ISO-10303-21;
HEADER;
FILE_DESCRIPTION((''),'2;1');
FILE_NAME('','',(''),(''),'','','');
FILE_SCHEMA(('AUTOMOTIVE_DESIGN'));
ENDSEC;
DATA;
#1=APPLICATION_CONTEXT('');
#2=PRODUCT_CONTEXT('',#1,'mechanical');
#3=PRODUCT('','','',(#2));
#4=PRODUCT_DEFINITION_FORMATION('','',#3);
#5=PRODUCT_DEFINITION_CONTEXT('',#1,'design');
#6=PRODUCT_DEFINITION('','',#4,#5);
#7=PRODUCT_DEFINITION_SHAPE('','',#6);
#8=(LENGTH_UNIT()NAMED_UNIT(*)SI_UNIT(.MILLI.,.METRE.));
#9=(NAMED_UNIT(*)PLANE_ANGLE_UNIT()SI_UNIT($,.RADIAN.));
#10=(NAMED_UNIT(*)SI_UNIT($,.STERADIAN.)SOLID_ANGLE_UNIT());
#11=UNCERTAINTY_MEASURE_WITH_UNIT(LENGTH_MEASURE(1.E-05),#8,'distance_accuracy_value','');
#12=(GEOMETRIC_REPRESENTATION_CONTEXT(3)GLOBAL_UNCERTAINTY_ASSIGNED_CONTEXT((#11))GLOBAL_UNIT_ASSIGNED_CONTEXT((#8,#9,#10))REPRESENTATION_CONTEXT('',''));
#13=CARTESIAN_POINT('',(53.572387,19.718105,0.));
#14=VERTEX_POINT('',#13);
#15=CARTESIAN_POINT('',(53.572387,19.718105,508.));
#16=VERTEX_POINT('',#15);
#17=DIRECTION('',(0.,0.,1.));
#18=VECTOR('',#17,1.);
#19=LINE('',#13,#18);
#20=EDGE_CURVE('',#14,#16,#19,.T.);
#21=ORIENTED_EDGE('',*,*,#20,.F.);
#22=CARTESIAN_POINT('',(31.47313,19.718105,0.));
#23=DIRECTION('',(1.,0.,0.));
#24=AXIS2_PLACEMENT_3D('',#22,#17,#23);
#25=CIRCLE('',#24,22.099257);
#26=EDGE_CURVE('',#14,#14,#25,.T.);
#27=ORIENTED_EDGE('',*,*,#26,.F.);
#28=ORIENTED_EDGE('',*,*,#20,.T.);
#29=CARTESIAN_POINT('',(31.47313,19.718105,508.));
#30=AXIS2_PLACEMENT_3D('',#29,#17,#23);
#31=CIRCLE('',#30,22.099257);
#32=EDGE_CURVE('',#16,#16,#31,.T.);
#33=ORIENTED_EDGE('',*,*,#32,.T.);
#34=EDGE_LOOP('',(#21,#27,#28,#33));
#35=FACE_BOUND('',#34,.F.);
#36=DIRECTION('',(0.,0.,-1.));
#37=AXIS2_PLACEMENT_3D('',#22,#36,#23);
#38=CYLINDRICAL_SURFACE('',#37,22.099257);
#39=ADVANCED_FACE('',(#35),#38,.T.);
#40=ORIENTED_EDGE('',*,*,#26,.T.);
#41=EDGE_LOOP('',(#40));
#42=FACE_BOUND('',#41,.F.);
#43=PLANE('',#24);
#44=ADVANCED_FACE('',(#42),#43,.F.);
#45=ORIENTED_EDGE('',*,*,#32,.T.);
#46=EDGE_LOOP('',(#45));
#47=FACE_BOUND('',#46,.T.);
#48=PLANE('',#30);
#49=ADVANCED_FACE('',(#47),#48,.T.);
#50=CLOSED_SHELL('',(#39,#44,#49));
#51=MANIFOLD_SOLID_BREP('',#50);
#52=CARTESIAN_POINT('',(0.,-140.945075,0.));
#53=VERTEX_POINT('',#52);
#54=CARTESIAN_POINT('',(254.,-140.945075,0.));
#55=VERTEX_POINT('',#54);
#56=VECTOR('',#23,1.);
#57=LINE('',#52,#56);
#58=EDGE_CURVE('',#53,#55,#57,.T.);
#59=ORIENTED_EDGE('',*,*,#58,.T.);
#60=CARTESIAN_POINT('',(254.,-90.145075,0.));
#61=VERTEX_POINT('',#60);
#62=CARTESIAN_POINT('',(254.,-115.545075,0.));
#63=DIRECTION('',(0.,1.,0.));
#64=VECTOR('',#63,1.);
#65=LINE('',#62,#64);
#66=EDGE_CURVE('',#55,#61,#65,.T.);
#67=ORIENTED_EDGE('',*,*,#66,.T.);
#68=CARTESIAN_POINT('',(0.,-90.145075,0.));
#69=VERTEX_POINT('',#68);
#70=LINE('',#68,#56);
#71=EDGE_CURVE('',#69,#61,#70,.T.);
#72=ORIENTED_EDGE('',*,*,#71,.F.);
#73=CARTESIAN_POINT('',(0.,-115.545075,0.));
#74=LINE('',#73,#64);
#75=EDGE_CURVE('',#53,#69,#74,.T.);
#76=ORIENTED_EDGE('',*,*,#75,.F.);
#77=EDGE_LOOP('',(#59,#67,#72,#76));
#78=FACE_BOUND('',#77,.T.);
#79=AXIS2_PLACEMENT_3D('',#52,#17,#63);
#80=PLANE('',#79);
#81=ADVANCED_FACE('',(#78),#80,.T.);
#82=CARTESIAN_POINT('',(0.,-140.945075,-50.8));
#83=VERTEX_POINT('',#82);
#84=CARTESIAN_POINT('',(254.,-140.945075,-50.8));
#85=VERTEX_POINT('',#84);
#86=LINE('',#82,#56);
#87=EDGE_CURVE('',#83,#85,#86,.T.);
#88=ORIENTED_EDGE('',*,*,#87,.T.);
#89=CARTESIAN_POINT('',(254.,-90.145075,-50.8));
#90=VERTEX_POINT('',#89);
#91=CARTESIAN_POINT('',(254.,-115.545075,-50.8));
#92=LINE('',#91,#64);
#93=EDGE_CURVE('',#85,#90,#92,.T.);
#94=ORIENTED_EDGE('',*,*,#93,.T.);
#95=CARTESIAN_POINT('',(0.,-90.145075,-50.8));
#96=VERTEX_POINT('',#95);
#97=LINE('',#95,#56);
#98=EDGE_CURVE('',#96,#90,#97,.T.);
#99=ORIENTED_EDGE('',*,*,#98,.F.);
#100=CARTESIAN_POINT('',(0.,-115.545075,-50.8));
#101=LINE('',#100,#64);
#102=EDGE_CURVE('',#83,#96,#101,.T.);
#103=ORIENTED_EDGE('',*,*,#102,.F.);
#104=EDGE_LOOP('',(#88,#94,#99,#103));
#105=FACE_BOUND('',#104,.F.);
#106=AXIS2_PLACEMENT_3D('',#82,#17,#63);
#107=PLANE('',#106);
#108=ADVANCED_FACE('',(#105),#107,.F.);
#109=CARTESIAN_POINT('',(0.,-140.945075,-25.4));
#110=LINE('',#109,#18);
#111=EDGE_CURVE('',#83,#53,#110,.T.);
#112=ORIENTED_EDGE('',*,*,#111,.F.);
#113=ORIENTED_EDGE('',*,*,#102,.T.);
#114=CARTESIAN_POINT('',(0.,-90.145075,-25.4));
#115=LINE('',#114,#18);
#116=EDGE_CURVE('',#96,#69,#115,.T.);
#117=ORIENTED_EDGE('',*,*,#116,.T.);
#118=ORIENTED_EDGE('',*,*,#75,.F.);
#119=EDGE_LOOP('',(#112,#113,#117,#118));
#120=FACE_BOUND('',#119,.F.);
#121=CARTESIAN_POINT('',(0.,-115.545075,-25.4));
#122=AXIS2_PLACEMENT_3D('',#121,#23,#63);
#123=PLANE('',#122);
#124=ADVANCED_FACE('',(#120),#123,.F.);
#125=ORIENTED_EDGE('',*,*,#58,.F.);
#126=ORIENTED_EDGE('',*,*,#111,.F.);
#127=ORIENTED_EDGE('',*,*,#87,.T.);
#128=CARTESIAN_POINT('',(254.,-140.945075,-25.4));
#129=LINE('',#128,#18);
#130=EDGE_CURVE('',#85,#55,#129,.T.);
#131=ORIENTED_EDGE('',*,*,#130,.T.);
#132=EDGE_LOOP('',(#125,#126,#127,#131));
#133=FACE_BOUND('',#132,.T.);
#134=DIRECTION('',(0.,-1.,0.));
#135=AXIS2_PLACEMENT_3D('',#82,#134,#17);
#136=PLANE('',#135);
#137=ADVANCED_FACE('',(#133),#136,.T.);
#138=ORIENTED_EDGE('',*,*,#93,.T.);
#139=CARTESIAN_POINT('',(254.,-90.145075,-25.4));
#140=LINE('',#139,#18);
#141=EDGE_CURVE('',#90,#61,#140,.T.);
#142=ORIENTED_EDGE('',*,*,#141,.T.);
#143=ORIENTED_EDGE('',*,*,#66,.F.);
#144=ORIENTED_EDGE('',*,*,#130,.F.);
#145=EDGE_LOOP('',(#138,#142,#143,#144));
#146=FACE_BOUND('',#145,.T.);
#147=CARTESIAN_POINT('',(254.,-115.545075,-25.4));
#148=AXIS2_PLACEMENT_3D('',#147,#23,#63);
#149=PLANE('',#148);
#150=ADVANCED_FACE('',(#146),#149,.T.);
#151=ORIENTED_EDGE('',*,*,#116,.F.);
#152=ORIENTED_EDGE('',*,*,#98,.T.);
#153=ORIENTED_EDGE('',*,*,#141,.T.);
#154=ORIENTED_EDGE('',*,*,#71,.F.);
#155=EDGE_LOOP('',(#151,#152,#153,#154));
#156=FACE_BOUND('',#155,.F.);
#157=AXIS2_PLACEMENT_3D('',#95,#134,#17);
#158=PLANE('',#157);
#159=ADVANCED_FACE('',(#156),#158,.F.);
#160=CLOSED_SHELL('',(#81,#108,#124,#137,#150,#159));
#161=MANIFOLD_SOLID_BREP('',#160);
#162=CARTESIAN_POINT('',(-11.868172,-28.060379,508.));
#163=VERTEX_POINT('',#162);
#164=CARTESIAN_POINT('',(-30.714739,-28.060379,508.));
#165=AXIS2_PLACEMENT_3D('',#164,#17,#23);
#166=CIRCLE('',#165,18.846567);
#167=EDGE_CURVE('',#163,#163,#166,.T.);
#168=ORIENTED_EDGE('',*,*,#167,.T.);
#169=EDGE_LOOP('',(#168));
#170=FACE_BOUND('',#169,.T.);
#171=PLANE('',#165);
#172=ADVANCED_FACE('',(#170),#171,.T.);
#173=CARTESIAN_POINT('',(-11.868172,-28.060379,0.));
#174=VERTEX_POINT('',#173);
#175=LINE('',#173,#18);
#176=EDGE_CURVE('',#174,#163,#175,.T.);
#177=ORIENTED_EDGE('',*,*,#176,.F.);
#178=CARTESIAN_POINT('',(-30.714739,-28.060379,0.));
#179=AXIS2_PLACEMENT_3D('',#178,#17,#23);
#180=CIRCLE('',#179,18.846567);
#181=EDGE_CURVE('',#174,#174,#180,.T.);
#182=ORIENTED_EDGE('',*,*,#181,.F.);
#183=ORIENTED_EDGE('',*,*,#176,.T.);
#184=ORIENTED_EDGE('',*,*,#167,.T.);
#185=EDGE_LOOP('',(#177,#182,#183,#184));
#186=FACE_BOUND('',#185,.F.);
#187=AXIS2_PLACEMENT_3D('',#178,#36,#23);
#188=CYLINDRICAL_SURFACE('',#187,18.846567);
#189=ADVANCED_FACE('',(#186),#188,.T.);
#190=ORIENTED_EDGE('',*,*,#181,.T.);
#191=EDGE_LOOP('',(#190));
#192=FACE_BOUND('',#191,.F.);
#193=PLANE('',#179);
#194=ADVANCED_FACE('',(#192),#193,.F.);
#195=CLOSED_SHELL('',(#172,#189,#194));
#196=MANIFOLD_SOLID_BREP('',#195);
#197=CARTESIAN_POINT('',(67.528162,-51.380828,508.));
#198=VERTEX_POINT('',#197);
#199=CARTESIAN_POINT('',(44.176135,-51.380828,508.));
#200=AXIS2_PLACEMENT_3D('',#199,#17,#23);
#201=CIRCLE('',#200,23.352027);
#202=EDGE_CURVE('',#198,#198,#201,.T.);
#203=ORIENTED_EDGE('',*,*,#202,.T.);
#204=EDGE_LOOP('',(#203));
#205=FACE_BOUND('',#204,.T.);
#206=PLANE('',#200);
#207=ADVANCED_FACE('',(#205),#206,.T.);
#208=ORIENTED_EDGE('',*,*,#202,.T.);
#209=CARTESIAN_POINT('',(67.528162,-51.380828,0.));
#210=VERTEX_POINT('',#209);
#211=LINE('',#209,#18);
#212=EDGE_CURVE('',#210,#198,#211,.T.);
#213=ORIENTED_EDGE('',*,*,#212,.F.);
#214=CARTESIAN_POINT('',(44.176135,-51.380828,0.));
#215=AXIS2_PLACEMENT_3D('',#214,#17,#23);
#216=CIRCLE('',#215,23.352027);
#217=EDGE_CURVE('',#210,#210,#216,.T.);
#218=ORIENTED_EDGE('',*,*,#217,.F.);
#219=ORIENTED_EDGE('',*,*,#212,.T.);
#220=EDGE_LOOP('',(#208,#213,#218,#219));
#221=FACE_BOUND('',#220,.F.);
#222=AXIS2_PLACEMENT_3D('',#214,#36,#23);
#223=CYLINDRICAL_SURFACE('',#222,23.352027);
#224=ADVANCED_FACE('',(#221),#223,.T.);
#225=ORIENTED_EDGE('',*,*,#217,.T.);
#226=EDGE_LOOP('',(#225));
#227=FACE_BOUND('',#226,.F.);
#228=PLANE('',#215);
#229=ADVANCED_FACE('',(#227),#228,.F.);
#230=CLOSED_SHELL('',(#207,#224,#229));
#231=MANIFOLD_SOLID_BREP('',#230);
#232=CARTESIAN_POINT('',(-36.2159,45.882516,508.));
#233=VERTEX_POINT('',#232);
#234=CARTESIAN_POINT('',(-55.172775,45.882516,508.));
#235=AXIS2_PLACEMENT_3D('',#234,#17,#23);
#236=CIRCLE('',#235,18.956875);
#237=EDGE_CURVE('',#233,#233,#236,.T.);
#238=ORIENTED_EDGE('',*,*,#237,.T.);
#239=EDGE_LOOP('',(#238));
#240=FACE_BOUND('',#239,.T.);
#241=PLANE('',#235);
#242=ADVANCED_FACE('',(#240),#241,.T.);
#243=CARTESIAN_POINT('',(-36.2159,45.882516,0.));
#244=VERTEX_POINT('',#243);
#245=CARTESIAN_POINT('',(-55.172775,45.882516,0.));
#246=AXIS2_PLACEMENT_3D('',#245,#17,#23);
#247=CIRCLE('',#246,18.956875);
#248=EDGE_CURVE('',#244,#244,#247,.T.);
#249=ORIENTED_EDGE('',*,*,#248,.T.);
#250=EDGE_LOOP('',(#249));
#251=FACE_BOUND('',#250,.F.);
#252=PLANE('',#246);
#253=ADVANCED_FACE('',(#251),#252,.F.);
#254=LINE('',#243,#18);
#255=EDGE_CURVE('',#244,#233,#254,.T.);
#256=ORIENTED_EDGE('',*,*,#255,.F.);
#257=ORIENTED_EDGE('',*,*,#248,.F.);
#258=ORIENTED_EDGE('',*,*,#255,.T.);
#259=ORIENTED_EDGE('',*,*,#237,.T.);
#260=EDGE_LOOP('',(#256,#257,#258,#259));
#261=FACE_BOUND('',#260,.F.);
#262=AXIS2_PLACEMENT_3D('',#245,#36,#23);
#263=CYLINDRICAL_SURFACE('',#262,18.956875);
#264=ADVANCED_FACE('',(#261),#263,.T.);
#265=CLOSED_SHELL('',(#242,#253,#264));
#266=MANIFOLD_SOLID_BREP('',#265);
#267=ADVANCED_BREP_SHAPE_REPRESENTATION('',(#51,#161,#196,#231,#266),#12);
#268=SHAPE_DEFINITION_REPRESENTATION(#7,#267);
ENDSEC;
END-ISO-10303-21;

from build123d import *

# Parameters (mm, degrees)
F0_R     = 18.956875
F0_R_2   = 18.846567
F0_R_3   = 22.099257
F0_R_4   = 23.352027
F1_DEPTH = 508
F2_W     = 50.8
F2_H     = 50.8
F3_DEPTH = 254


with BuildPart() as f1:
    # F0 (on Top) → F1 (new body)
    with BuildSketch(Plane.XY):
        with Locations((-55.172775, 45.882516)):
            Circle(F0_R)
        with Locations((-30.714739, -28.060379)):
            Circle(F0_R_2)
        with Locations((31.47313, 19.718105)):
            Circle(F0_R_3)
        with Locations((44.176135, -51.380828)):
            Circle(F0_R_4)
    extrude(amount=F1_DEPTH)


with BuildPart() as f3:
    # F2 (on Right) → F3 (new body)
    with BuildSketch(Plane.YZ):
        with Locations((-115.545075, -25.4)):
            Rectangle(F2_W, F2_H)
    extrude(amount=F3_DEPTH)


solid = Compound([f1.part, f3.part])
